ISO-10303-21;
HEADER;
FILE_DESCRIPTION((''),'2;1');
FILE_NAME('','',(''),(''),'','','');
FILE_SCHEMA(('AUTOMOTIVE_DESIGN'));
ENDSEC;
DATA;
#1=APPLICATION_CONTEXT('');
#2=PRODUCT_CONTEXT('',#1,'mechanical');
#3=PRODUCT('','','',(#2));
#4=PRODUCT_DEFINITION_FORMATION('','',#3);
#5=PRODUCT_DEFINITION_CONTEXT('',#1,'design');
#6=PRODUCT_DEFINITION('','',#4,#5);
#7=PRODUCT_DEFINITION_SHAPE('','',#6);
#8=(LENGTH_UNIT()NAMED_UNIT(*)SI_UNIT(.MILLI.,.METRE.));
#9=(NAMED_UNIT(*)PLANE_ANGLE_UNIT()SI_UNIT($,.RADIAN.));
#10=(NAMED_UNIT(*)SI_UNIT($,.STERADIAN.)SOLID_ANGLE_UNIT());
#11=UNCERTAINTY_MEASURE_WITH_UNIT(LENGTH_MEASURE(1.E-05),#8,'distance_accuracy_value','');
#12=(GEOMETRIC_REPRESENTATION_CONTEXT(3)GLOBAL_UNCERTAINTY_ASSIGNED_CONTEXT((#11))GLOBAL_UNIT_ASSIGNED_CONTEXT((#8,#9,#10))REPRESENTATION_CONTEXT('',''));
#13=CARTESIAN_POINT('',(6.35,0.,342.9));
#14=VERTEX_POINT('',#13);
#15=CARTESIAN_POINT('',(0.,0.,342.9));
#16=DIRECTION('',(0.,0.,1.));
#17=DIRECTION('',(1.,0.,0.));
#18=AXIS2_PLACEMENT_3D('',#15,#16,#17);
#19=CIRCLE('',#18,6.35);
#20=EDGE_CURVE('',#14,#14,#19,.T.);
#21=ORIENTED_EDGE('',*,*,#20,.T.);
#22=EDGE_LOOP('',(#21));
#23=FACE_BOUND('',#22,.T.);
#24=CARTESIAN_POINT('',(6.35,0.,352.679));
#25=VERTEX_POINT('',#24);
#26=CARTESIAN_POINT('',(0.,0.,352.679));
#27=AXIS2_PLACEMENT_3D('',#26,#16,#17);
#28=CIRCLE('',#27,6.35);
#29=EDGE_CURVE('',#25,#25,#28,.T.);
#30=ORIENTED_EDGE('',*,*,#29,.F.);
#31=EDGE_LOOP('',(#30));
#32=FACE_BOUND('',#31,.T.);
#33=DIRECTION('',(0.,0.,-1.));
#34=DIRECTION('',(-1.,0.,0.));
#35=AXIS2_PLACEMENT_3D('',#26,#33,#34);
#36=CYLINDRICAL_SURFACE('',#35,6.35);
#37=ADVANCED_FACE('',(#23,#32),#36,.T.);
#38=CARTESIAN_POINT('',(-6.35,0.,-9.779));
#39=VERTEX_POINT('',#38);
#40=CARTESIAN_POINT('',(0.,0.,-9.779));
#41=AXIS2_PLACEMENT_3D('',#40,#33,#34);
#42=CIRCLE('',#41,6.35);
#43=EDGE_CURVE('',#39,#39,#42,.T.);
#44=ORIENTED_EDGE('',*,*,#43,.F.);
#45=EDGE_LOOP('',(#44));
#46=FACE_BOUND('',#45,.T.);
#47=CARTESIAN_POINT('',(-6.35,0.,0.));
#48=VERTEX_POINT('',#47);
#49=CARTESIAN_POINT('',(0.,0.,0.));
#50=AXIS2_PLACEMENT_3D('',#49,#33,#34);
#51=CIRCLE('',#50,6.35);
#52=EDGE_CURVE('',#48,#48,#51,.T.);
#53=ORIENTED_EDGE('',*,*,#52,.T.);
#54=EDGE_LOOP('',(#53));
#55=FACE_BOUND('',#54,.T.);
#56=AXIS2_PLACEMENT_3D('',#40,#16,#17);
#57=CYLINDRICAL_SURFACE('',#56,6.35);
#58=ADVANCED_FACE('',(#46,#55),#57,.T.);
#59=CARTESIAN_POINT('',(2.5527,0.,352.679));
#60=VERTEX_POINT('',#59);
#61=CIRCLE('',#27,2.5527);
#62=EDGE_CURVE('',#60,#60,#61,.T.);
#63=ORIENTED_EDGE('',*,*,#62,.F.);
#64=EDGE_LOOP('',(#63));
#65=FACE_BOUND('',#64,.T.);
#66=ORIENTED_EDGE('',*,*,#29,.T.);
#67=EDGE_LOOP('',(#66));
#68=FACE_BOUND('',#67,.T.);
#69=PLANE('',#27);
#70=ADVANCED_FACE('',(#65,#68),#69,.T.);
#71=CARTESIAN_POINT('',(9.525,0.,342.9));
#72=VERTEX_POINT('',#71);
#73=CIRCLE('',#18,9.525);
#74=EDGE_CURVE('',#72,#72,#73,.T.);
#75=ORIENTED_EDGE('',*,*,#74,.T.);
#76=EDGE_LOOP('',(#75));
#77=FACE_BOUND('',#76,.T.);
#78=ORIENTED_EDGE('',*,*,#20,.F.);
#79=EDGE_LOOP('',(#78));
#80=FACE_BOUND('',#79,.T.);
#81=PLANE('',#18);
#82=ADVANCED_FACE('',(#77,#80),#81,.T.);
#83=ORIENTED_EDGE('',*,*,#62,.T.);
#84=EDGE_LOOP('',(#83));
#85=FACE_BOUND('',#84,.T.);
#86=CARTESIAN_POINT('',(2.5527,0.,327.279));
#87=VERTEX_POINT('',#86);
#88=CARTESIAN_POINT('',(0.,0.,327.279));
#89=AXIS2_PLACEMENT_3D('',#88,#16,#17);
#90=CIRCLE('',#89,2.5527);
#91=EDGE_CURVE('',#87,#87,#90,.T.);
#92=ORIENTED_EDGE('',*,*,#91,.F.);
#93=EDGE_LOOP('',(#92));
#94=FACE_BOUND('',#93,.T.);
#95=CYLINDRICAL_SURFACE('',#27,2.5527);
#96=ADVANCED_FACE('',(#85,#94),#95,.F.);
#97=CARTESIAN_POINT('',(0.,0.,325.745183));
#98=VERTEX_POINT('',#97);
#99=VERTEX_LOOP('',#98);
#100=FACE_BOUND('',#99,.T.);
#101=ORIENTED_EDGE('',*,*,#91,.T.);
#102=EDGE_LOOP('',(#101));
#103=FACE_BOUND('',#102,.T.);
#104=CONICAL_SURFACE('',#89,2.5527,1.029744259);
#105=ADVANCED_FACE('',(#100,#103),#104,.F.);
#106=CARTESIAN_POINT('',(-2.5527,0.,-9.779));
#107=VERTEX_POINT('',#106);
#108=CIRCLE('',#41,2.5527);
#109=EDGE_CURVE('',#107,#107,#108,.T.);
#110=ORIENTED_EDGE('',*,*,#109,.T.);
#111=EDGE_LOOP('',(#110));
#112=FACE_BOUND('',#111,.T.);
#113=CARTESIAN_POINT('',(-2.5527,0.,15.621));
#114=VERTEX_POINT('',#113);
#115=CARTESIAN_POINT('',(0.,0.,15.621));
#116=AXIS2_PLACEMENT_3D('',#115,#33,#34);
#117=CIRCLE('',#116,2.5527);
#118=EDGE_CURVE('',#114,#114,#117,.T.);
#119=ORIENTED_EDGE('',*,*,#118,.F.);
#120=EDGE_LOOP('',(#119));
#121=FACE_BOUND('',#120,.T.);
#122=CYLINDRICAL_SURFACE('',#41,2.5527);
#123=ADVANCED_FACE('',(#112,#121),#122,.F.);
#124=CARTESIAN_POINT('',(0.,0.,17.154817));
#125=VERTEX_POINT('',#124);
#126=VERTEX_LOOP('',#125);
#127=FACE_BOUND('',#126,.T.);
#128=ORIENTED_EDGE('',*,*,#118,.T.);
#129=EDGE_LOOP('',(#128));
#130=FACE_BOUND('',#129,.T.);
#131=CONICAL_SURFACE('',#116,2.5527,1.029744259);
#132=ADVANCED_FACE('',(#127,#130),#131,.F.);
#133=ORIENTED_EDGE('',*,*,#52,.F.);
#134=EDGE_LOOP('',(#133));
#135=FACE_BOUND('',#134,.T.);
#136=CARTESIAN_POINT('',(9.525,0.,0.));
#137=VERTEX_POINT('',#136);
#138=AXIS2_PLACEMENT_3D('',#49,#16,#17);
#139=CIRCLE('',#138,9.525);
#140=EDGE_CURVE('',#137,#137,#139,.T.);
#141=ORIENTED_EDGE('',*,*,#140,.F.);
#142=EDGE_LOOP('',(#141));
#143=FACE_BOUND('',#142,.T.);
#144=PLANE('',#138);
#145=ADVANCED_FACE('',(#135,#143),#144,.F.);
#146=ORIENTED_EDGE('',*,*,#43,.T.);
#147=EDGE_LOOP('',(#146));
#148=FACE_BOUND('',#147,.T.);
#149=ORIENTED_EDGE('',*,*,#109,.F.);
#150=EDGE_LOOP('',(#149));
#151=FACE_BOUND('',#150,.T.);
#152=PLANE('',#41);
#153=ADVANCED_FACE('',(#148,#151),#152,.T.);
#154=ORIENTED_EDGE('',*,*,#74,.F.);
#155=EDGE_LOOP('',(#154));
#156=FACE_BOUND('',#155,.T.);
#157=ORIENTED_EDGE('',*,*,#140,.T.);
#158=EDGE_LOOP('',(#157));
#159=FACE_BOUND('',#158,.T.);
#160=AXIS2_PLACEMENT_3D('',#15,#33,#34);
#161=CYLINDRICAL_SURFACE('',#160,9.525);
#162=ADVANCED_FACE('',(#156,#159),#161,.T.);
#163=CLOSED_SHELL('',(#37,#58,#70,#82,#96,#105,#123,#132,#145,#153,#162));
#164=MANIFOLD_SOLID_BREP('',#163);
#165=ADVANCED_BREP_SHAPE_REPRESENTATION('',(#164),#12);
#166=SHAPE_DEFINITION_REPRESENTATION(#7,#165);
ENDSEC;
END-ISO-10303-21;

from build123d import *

# Parameters (mm, degrees)
SKETCH1_R                   = 9.525
BOSS_EXTRUDE1_DEPTH         = 342.9
SKETCH2_R                   = 6.35
BOSS_EXTRUDE2_DEPTH         = 9.779
F_1_4_20_TAPPED_HOLE1_D     = 5.1054
F_1_4_20_TAPPED_HOLE1_DEPTH = 25.4
F_1_4_20_TAPPED_HOLE1_TIP   = 1.533816902
BOSS_EXTRUDE3_START         = 9.779
SKETCH5_R                   = 6.35
BOSS_EXTRUDE3_DEPTH         = 9.779
F_1_4_20_TAPPED_HOLE2_D     = 5.1054
F_1_4_20_TAPPED_HOLE2_DEPTH = 25.4
F_1_4_20_TAPPED_HOLE2_TIP   = 1.533816902


with BuildPart() as part:
    # Sketch1 → Boss-Extrude1 (new body)
    with BuildSketch(Plane.XY):
        Circle(SKETCH1_R)
    extrude(amount=BOSS_EXTRUDE1_DEPTH)

    # Sketch2 → Boss-Extrude2 (add)
    with BuildSketch(Plane.XY.offset(342.9)):
        Circle(SKETCH2_R)
    extrude(amount=BOSS_EXTRUDE2_DEPTH)

    # 1/4-20 Tapped Hole1
    with Locations(Plane.XY.offset(352.679)):
        with Locations((0, 0)):
            Hole(F_1_4_20_TAPPED_HOLE1_D / 2, depth=F_1_4_20_TAPPED_HOLE1_DEPTH)
            with Locations((0, 0, -(F_1_4_20_TAPPED_HOLE1_DEPTH + F_1_4_20_TAPPED_HOLE1_TIP / 2))):  # 118° drill point
                Cone(0, F_1_4_20_TAPPED_HOLE1_D / 2, F_1_4_20_TAPPED_HOLE1_TIP, mode=Mode.SUBTRACT)

    # Sketch5 → Boss-Extrude3 (add)
    with BuildSketch(Plane(origin=(0, 0, 0), x_dir=(-1, 0, 0), z_dir=(0, 0, -1)).offset(BOSS_EXTRUDE3_START)):
        with Locations(Location((0, 0, 0), (0, 0, 180))):
            Circle(SKETCH5_R)
    extrude(amount=-BOSS_EXTRUDE3_DEPTH)

    # 1/4-20 Tapped Hole2
    with Locations(Plane(origin=(0, 0, -9.779), x_dir=(-1, 0, 0), z_dir=(0, 0, -1))):
        with Locations((0, 0)):
            Hole(F_1_4_20_TAPPED_HOLE2_D / 2, depth=F_1_4_20_TAPPED_HOLE2_DEPTH)
            with Locations((0, 0, -(F_1_4_20_TAPPED_HOLE2_DEPTH + F_1_4_20_TAPPED_HOLE2_TIP / 2))):  # 118° drill point
                Cone(0, F_1_4_20_TAPPED_HOLE2_D / 2, F_1_4_20_TAPPED_HOLE2_TIP, mode=Mode.SUBTRACT)


solid = part.part
